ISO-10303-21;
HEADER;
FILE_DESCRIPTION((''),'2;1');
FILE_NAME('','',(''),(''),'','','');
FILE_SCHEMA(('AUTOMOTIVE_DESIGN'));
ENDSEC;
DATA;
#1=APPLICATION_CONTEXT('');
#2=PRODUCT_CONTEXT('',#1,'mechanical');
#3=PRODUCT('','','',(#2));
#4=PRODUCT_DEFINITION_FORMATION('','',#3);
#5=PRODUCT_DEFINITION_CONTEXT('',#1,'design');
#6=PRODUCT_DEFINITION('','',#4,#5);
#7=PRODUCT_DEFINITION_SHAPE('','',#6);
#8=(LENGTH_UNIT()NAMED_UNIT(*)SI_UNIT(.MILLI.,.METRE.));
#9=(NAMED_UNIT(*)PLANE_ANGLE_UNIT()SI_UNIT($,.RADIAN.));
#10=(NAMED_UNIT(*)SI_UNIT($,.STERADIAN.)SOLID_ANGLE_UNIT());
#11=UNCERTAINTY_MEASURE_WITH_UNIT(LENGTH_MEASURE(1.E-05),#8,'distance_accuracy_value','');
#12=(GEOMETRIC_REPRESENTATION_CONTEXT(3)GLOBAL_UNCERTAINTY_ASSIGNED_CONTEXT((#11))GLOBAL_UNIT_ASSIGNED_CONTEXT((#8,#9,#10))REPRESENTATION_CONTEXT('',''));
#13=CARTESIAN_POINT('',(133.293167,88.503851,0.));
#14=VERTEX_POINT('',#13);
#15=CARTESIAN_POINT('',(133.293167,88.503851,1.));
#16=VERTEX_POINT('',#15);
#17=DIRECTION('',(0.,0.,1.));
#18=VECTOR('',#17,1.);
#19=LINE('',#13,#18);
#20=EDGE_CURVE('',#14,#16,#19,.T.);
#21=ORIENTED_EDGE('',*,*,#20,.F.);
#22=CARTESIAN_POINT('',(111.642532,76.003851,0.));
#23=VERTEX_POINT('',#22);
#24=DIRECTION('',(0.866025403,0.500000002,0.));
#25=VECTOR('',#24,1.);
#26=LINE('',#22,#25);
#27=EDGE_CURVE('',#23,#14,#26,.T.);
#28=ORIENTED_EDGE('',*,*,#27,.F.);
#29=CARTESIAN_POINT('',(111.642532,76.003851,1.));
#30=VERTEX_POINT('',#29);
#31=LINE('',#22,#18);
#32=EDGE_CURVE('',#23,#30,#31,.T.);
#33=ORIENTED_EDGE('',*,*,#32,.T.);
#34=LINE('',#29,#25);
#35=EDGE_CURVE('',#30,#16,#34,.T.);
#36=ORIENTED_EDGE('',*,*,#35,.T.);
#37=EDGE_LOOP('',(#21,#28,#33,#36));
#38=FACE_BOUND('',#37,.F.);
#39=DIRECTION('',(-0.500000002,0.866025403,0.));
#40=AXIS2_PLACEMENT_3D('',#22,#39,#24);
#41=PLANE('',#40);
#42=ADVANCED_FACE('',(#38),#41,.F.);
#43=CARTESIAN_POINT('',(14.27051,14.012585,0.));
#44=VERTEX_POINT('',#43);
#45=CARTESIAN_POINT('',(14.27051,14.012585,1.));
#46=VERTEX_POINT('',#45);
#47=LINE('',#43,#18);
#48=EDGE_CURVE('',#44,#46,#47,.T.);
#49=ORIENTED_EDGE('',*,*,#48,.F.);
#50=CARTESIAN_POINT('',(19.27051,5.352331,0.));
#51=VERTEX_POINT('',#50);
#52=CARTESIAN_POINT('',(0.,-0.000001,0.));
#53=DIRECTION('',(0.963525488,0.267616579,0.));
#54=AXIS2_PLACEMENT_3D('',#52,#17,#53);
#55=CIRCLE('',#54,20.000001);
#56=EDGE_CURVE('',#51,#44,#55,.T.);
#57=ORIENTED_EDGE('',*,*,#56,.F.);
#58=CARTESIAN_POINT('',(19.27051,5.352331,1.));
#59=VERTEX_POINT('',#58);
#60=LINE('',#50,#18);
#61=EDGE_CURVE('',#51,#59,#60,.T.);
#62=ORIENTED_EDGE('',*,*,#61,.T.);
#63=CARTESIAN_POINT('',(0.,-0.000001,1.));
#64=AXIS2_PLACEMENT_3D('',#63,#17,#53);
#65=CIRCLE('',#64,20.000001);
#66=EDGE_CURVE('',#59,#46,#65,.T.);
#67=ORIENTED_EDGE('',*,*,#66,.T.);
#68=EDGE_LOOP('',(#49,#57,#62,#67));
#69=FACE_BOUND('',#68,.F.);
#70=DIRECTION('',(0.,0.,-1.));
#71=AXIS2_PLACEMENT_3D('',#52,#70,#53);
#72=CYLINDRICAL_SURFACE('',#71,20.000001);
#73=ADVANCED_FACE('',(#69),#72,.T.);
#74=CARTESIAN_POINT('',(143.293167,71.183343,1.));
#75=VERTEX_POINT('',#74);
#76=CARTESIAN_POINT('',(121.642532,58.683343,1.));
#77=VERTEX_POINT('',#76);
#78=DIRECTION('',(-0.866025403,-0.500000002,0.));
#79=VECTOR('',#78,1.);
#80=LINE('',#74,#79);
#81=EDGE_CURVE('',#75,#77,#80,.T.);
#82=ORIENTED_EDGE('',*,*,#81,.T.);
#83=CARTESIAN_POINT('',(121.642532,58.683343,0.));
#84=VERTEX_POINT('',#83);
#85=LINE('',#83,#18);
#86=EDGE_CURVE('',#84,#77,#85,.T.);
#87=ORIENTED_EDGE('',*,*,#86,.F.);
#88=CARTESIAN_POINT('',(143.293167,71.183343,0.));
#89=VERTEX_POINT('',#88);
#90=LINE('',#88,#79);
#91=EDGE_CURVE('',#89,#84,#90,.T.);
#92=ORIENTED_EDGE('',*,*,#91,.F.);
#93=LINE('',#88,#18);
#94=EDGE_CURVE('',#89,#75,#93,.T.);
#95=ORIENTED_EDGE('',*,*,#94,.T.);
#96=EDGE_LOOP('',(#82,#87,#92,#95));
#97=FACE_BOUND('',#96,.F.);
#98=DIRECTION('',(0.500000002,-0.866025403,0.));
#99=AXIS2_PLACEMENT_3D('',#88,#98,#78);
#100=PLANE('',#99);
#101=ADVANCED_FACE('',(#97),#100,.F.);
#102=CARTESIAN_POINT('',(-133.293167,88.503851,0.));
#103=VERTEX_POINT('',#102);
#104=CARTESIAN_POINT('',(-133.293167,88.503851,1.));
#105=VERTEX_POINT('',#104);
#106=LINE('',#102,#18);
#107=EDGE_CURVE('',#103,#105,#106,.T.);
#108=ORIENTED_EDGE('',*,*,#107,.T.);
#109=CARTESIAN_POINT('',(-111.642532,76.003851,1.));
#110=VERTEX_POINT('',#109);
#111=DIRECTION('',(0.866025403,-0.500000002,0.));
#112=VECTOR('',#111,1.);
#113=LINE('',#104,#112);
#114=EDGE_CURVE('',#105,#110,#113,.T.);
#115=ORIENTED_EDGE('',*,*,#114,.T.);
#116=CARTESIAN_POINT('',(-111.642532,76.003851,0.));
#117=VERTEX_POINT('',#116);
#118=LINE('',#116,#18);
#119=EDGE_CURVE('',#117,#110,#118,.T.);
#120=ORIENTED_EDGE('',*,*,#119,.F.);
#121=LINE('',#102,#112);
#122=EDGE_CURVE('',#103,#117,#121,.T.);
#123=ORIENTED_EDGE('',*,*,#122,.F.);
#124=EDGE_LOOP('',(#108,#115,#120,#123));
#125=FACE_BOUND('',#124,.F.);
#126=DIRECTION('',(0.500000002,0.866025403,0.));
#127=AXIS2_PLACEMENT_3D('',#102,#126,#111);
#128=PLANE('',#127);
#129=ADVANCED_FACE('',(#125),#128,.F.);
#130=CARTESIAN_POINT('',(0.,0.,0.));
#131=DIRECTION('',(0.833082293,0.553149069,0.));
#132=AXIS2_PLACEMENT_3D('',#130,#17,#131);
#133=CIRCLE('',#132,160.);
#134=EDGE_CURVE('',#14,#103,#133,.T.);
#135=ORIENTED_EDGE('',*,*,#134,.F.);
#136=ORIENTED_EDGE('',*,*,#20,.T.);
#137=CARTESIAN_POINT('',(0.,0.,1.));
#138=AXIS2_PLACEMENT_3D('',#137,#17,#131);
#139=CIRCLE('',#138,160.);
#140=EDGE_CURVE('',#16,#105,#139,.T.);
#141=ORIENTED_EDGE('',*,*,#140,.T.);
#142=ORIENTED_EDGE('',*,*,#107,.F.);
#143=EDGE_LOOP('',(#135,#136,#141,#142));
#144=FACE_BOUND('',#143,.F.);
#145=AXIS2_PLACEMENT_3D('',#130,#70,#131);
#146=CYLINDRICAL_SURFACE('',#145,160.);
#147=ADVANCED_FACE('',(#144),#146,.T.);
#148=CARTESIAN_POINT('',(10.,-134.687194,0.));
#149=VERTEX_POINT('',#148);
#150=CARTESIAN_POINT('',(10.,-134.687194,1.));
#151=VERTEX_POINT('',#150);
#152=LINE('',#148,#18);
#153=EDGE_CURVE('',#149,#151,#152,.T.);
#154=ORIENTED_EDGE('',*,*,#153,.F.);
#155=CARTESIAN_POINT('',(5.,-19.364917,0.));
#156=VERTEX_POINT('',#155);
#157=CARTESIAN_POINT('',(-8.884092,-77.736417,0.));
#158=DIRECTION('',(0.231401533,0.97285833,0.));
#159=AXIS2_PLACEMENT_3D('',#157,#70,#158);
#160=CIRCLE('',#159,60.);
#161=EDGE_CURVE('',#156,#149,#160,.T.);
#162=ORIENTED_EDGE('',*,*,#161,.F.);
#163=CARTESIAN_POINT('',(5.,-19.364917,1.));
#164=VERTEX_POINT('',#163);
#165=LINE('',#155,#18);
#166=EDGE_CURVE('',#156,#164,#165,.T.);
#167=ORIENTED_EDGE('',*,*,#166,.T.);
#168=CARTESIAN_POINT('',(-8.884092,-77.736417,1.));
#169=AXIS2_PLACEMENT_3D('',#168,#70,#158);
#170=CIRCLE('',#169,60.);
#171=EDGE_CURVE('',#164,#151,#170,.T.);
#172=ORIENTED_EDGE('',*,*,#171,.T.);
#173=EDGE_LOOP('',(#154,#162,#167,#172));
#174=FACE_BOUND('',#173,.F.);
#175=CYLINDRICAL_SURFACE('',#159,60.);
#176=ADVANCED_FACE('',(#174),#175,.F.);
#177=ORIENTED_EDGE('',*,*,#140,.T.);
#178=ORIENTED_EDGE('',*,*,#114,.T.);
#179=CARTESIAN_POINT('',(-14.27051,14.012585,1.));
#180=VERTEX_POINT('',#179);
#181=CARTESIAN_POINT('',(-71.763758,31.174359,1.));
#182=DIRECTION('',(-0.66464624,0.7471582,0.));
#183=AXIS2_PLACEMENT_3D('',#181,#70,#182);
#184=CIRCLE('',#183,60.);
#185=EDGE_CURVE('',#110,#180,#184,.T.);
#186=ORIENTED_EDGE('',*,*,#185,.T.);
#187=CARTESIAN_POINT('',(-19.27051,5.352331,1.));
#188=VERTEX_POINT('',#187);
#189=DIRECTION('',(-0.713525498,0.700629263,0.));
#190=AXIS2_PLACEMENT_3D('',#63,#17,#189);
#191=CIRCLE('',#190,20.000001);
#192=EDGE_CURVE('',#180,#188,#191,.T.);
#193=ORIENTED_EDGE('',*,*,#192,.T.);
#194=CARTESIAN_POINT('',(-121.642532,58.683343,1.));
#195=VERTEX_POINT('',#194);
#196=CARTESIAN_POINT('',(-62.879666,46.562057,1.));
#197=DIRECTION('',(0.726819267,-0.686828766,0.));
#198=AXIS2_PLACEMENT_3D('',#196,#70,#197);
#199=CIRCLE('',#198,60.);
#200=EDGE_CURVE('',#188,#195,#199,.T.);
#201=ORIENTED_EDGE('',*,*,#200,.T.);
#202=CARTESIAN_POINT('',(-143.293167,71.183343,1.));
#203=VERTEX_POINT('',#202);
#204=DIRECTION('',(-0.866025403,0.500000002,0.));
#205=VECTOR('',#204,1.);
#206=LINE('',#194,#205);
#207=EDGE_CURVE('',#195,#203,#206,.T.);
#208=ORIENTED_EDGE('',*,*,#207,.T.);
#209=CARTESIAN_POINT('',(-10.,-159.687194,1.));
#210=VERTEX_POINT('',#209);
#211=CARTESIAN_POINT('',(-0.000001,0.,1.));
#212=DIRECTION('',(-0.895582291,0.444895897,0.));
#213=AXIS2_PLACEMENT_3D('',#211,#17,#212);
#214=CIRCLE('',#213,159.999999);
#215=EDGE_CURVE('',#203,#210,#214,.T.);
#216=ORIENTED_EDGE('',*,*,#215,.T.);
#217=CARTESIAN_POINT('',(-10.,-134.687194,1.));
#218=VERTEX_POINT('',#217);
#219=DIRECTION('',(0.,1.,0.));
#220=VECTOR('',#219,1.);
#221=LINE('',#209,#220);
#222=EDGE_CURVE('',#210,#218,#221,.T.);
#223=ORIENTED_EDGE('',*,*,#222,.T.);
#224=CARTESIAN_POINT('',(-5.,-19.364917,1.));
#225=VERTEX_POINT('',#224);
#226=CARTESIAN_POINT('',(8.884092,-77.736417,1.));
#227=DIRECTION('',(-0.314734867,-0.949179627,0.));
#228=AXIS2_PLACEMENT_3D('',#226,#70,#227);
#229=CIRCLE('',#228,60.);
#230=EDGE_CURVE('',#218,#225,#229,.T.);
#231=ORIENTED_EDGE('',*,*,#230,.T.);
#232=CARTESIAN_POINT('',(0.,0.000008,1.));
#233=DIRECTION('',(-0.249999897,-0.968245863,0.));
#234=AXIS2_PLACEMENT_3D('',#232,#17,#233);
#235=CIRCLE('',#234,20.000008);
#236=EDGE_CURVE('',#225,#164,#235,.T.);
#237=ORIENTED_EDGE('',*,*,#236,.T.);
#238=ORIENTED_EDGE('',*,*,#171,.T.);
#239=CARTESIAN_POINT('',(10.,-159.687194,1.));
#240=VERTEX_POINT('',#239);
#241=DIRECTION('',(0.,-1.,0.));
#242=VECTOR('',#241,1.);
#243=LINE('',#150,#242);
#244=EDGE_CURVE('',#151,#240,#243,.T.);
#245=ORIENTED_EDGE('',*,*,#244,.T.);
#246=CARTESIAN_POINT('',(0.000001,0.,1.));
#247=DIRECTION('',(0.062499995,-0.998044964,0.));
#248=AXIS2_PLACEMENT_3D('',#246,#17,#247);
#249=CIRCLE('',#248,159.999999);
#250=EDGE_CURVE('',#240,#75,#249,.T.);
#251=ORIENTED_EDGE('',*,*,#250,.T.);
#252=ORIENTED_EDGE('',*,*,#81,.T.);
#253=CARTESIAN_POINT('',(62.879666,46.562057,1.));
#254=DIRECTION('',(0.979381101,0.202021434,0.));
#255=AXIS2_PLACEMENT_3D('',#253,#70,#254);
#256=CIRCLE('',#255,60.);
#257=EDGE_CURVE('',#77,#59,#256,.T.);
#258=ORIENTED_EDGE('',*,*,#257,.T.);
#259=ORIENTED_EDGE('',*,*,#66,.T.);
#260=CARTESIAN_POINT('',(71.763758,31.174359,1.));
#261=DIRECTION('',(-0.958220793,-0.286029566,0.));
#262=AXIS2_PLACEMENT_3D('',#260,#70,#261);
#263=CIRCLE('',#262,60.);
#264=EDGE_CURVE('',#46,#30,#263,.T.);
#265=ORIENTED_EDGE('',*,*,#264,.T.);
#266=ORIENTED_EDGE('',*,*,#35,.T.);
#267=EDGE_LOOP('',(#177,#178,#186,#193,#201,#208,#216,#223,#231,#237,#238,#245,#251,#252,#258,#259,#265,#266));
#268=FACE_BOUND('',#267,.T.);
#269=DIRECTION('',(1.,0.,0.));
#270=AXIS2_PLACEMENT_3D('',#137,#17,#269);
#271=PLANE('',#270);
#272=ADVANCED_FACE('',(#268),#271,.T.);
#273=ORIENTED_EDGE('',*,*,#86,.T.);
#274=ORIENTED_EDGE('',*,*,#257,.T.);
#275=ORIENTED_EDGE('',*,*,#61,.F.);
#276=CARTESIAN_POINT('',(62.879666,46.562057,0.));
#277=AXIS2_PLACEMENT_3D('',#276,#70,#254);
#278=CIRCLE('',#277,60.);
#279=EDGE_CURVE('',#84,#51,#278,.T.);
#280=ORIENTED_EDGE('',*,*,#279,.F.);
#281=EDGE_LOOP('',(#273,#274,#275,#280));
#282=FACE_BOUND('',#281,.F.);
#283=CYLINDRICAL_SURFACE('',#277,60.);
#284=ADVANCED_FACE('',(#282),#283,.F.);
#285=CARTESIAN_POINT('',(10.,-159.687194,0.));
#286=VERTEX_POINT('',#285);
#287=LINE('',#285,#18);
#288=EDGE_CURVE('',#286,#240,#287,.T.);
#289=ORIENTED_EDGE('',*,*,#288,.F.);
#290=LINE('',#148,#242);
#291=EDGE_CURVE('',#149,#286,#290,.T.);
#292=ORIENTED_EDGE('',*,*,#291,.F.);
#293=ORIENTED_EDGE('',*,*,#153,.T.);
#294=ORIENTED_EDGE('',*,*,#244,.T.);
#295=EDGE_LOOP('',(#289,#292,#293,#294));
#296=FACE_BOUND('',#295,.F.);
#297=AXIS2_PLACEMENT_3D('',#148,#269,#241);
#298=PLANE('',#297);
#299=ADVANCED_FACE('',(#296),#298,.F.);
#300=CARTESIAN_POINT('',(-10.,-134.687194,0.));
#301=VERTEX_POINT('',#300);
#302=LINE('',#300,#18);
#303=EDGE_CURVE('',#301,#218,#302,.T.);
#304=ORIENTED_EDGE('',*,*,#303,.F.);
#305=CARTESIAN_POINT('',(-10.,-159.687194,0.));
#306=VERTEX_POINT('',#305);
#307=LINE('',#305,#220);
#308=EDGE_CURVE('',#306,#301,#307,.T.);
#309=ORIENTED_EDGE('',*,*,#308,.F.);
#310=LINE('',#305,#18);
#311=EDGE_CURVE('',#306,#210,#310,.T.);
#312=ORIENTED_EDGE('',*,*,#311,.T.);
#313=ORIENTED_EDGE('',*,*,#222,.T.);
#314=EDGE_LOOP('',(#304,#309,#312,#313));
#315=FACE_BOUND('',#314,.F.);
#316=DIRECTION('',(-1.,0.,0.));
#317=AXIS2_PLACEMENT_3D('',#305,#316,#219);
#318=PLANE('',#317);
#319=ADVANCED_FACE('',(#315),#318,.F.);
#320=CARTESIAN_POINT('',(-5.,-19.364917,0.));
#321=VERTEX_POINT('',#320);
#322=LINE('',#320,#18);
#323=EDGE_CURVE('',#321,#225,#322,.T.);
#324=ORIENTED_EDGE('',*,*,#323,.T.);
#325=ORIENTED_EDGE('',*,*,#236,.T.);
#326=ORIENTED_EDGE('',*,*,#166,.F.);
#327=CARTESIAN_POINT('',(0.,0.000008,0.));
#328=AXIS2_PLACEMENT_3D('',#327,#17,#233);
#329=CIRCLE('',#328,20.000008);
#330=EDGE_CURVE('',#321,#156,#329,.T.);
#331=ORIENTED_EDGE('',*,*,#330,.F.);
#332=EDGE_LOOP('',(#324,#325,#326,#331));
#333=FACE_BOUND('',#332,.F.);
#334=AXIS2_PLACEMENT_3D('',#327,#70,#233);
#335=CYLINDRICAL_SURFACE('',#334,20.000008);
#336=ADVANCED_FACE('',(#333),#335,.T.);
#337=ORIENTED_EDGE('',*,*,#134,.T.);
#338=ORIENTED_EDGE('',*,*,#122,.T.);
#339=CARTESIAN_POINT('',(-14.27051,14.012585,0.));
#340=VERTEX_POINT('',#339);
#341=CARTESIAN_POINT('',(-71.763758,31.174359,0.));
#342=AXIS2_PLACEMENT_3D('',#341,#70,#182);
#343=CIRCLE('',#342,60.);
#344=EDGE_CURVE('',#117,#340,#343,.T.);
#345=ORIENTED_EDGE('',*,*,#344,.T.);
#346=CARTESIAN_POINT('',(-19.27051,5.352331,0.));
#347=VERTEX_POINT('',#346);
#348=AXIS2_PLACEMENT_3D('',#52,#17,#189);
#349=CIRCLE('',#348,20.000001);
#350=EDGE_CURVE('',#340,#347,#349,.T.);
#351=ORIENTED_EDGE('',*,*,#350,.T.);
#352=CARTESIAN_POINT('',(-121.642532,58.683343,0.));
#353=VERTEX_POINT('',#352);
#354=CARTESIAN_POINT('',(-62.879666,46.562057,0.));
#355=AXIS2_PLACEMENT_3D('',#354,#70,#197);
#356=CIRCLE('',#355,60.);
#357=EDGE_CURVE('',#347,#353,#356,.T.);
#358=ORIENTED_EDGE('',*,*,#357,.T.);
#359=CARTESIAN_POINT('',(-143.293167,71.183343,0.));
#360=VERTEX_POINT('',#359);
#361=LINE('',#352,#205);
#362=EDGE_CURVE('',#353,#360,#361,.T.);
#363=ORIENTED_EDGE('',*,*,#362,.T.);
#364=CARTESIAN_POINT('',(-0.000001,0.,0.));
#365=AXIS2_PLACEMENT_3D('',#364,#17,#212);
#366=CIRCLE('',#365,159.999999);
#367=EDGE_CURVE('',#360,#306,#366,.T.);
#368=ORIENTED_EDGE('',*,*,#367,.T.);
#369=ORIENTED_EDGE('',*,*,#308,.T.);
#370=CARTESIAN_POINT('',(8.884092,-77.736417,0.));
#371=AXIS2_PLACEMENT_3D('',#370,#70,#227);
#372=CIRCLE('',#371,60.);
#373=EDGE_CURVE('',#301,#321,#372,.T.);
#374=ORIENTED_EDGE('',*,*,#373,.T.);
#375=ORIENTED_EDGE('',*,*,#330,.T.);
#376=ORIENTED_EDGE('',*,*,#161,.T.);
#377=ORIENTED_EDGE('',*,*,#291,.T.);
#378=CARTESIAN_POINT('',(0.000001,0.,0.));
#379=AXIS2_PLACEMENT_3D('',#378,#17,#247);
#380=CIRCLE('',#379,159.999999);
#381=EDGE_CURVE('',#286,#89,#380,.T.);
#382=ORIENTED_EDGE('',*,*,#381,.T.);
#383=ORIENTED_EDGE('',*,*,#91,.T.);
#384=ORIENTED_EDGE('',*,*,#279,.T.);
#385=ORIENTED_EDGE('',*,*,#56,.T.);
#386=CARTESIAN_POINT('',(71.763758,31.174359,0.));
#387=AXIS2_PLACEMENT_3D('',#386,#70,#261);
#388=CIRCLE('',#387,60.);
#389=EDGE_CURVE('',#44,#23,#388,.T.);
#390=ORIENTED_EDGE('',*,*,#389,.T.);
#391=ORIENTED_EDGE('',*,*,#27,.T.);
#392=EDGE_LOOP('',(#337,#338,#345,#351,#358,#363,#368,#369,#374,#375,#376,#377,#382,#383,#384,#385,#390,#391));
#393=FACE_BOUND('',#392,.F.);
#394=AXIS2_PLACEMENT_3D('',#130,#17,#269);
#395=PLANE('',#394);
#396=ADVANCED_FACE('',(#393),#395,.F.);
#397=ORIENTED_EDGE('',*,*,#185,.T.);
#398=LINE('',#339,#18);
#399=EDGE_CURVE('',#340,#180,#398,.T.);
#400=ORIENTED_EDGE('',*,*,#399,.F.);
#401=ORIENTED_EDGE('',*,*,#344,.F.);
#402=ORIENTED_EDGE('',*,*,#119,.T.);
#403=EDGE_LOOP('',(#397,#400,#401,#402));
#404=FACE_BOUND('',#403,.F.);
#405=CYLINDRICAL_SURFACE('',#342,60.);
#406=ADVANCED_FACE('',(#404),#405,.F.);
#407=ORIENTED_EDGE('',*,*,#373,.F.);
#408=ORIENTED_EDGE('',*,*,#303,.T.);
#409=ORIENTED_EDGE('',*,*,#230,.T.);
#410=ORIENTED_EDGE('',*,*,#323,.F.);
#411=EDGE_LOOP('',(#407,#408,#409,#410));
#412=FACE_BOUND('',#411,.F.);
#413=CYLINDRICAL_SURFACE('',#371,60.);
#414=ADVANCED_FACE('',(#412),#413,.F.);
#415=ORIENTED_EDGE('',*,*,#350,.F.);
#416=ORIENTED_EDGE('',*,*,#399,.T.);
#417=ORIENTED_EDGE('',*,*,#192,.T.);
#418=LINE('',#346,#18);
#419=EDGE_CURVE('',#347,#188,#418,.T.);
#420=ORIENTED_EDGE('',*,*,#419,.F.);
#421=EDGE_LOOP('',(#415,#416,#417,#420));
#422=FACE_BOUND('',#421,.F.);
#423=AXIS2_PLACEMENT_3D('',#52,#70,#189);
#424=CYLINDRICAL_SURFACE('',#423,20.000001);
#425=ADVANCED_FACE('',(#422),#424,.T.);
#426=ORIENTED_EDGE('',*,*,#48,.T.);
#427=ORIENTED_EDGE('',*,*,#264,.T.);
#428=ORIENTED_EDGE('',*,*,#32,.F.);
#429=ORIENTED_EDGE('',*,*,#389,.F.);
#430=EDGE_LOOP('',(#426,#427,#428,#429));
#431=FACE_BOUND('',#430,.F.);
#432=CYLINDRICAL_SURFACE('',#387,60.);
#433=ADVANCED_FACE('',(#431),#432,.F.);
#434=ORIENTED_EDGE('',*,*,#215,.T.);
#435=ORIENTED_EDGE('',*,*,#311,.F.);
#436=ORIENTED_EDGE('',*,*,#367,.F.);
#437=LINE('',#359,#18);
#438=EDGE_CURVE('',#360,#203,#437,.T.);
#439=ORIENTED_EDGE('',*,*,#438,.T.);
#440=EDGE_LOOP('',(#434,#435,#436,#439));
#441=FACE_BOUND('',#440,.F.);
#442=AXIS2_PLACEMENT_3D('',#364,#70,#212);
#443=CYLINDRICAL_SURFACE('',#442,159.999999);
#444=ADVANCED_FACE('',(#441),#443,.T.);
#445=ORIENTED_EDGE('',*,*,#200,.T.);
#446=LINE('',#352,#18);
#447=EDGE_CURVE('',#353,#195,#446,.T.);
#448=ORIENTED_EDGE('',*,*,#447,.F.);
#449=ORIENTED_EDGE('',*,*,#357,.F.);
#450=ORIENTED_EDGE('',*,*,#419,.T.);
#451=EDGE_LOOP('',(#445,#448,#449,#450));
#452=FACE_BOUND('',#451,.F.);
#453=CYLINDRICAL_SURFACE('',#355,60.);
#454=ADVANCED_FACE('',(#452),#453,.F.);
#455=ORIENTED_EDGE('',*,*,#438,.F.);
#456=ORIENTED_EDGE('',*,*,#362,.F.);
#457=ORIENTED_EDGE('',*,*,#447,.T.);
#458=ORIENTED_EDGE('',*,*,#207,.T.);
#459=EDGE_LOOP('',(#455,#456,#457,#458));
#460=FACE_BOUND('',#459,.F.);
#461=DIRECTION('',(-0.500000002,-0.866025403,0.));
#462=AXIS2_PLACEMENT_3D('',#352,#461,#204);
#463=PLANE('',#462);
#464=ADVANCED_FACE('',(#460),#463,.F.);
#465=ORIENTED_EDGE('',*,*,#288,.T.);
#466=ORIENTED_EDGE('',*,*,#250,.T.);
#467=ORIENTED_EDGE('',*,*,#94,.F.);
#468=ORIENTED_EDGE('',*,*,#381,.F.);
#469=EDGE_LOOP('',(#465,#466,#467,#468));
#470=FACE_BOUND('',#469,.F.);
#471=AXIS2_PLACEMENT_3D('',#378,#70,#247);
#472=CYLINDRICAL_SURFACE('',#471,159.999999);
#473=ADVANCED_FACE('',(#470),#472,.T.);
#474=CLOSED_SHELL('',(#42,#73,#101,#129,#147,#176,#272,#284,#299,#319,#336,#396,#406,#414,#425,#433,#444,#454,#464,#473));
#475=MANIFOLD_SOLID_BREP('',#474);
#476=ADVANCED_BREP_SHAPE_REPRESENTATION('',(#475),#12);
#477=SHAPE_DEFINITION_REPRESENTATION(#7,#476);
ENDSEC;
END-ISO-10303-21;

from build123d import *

# Parameters (mm, degrees)
F1_DEPTH = 1


with BuildPart() as f1:
    # F0 (on Top) → F1 (new body)
    with BuildSketch(Plane.XY):
        with BuildLine():
            ThreePointArc((-10, -134.687194), (-51.059593, -75.137453), (-5, -19.364917))
            ThreePointArc((-5, -19.364917), (0, -20), (5, -19.364917))
            ThreePointArc((5, -19.364917), (51.059593, -75.137453), (10, -134.687194))
            Line((10, -134.687194), (10, -159.687194))
            ThreePointArc((10, -159.687194), (138.564065, -80), (143.293167, 71.183343))
            Line((143.293167, 71.183343), (121.642532, 58.683343))
            ThreePointArc((121.642532, 58.683343), (90.60074, -6.650179), (19.27051, 5.352331))
            ThreePointArc((19.27051, 5.352331), (17.320508, 10), (14.27051, 14.012585))
            ThreePointArc((14.27051, 14.012585), (39.541146, 81.787631), (111.642532, 76.003851))
            Line((111.642532, 76.003851), (133.293167, 88.503851))
            ThreePointArc((133.293167, 88.503851), (0, 160), (-133.293167, 88.503851))
            Line((-133.293167, 88.503851), (-111.642532, 76.003851))
            ThreePointArc((-111.642532, 76.003851), (-39.541146, 81.787631), (-14.27051, 14.012585))
            ThreePointArc((-14.27051, 14.012585), (-17.320508, 10), (-19.27051, 5.352331))
            ThreePointArc((-19.27051, 5.352331), (-90.60074, -6.650179), (-121.642532, 58.683343))
            Line((-121.642532, 58.683343), (-143.293167, 71.183343))
            ThreePointArc((-143.293167, 71.183343), (-138.564065, -80), (-10, -159.687194))
            Line((-10, -159.687194), (-10, -134.687194))
        make_face()
    extrude(amount=F1_DEPTH)


solid = f1.part
